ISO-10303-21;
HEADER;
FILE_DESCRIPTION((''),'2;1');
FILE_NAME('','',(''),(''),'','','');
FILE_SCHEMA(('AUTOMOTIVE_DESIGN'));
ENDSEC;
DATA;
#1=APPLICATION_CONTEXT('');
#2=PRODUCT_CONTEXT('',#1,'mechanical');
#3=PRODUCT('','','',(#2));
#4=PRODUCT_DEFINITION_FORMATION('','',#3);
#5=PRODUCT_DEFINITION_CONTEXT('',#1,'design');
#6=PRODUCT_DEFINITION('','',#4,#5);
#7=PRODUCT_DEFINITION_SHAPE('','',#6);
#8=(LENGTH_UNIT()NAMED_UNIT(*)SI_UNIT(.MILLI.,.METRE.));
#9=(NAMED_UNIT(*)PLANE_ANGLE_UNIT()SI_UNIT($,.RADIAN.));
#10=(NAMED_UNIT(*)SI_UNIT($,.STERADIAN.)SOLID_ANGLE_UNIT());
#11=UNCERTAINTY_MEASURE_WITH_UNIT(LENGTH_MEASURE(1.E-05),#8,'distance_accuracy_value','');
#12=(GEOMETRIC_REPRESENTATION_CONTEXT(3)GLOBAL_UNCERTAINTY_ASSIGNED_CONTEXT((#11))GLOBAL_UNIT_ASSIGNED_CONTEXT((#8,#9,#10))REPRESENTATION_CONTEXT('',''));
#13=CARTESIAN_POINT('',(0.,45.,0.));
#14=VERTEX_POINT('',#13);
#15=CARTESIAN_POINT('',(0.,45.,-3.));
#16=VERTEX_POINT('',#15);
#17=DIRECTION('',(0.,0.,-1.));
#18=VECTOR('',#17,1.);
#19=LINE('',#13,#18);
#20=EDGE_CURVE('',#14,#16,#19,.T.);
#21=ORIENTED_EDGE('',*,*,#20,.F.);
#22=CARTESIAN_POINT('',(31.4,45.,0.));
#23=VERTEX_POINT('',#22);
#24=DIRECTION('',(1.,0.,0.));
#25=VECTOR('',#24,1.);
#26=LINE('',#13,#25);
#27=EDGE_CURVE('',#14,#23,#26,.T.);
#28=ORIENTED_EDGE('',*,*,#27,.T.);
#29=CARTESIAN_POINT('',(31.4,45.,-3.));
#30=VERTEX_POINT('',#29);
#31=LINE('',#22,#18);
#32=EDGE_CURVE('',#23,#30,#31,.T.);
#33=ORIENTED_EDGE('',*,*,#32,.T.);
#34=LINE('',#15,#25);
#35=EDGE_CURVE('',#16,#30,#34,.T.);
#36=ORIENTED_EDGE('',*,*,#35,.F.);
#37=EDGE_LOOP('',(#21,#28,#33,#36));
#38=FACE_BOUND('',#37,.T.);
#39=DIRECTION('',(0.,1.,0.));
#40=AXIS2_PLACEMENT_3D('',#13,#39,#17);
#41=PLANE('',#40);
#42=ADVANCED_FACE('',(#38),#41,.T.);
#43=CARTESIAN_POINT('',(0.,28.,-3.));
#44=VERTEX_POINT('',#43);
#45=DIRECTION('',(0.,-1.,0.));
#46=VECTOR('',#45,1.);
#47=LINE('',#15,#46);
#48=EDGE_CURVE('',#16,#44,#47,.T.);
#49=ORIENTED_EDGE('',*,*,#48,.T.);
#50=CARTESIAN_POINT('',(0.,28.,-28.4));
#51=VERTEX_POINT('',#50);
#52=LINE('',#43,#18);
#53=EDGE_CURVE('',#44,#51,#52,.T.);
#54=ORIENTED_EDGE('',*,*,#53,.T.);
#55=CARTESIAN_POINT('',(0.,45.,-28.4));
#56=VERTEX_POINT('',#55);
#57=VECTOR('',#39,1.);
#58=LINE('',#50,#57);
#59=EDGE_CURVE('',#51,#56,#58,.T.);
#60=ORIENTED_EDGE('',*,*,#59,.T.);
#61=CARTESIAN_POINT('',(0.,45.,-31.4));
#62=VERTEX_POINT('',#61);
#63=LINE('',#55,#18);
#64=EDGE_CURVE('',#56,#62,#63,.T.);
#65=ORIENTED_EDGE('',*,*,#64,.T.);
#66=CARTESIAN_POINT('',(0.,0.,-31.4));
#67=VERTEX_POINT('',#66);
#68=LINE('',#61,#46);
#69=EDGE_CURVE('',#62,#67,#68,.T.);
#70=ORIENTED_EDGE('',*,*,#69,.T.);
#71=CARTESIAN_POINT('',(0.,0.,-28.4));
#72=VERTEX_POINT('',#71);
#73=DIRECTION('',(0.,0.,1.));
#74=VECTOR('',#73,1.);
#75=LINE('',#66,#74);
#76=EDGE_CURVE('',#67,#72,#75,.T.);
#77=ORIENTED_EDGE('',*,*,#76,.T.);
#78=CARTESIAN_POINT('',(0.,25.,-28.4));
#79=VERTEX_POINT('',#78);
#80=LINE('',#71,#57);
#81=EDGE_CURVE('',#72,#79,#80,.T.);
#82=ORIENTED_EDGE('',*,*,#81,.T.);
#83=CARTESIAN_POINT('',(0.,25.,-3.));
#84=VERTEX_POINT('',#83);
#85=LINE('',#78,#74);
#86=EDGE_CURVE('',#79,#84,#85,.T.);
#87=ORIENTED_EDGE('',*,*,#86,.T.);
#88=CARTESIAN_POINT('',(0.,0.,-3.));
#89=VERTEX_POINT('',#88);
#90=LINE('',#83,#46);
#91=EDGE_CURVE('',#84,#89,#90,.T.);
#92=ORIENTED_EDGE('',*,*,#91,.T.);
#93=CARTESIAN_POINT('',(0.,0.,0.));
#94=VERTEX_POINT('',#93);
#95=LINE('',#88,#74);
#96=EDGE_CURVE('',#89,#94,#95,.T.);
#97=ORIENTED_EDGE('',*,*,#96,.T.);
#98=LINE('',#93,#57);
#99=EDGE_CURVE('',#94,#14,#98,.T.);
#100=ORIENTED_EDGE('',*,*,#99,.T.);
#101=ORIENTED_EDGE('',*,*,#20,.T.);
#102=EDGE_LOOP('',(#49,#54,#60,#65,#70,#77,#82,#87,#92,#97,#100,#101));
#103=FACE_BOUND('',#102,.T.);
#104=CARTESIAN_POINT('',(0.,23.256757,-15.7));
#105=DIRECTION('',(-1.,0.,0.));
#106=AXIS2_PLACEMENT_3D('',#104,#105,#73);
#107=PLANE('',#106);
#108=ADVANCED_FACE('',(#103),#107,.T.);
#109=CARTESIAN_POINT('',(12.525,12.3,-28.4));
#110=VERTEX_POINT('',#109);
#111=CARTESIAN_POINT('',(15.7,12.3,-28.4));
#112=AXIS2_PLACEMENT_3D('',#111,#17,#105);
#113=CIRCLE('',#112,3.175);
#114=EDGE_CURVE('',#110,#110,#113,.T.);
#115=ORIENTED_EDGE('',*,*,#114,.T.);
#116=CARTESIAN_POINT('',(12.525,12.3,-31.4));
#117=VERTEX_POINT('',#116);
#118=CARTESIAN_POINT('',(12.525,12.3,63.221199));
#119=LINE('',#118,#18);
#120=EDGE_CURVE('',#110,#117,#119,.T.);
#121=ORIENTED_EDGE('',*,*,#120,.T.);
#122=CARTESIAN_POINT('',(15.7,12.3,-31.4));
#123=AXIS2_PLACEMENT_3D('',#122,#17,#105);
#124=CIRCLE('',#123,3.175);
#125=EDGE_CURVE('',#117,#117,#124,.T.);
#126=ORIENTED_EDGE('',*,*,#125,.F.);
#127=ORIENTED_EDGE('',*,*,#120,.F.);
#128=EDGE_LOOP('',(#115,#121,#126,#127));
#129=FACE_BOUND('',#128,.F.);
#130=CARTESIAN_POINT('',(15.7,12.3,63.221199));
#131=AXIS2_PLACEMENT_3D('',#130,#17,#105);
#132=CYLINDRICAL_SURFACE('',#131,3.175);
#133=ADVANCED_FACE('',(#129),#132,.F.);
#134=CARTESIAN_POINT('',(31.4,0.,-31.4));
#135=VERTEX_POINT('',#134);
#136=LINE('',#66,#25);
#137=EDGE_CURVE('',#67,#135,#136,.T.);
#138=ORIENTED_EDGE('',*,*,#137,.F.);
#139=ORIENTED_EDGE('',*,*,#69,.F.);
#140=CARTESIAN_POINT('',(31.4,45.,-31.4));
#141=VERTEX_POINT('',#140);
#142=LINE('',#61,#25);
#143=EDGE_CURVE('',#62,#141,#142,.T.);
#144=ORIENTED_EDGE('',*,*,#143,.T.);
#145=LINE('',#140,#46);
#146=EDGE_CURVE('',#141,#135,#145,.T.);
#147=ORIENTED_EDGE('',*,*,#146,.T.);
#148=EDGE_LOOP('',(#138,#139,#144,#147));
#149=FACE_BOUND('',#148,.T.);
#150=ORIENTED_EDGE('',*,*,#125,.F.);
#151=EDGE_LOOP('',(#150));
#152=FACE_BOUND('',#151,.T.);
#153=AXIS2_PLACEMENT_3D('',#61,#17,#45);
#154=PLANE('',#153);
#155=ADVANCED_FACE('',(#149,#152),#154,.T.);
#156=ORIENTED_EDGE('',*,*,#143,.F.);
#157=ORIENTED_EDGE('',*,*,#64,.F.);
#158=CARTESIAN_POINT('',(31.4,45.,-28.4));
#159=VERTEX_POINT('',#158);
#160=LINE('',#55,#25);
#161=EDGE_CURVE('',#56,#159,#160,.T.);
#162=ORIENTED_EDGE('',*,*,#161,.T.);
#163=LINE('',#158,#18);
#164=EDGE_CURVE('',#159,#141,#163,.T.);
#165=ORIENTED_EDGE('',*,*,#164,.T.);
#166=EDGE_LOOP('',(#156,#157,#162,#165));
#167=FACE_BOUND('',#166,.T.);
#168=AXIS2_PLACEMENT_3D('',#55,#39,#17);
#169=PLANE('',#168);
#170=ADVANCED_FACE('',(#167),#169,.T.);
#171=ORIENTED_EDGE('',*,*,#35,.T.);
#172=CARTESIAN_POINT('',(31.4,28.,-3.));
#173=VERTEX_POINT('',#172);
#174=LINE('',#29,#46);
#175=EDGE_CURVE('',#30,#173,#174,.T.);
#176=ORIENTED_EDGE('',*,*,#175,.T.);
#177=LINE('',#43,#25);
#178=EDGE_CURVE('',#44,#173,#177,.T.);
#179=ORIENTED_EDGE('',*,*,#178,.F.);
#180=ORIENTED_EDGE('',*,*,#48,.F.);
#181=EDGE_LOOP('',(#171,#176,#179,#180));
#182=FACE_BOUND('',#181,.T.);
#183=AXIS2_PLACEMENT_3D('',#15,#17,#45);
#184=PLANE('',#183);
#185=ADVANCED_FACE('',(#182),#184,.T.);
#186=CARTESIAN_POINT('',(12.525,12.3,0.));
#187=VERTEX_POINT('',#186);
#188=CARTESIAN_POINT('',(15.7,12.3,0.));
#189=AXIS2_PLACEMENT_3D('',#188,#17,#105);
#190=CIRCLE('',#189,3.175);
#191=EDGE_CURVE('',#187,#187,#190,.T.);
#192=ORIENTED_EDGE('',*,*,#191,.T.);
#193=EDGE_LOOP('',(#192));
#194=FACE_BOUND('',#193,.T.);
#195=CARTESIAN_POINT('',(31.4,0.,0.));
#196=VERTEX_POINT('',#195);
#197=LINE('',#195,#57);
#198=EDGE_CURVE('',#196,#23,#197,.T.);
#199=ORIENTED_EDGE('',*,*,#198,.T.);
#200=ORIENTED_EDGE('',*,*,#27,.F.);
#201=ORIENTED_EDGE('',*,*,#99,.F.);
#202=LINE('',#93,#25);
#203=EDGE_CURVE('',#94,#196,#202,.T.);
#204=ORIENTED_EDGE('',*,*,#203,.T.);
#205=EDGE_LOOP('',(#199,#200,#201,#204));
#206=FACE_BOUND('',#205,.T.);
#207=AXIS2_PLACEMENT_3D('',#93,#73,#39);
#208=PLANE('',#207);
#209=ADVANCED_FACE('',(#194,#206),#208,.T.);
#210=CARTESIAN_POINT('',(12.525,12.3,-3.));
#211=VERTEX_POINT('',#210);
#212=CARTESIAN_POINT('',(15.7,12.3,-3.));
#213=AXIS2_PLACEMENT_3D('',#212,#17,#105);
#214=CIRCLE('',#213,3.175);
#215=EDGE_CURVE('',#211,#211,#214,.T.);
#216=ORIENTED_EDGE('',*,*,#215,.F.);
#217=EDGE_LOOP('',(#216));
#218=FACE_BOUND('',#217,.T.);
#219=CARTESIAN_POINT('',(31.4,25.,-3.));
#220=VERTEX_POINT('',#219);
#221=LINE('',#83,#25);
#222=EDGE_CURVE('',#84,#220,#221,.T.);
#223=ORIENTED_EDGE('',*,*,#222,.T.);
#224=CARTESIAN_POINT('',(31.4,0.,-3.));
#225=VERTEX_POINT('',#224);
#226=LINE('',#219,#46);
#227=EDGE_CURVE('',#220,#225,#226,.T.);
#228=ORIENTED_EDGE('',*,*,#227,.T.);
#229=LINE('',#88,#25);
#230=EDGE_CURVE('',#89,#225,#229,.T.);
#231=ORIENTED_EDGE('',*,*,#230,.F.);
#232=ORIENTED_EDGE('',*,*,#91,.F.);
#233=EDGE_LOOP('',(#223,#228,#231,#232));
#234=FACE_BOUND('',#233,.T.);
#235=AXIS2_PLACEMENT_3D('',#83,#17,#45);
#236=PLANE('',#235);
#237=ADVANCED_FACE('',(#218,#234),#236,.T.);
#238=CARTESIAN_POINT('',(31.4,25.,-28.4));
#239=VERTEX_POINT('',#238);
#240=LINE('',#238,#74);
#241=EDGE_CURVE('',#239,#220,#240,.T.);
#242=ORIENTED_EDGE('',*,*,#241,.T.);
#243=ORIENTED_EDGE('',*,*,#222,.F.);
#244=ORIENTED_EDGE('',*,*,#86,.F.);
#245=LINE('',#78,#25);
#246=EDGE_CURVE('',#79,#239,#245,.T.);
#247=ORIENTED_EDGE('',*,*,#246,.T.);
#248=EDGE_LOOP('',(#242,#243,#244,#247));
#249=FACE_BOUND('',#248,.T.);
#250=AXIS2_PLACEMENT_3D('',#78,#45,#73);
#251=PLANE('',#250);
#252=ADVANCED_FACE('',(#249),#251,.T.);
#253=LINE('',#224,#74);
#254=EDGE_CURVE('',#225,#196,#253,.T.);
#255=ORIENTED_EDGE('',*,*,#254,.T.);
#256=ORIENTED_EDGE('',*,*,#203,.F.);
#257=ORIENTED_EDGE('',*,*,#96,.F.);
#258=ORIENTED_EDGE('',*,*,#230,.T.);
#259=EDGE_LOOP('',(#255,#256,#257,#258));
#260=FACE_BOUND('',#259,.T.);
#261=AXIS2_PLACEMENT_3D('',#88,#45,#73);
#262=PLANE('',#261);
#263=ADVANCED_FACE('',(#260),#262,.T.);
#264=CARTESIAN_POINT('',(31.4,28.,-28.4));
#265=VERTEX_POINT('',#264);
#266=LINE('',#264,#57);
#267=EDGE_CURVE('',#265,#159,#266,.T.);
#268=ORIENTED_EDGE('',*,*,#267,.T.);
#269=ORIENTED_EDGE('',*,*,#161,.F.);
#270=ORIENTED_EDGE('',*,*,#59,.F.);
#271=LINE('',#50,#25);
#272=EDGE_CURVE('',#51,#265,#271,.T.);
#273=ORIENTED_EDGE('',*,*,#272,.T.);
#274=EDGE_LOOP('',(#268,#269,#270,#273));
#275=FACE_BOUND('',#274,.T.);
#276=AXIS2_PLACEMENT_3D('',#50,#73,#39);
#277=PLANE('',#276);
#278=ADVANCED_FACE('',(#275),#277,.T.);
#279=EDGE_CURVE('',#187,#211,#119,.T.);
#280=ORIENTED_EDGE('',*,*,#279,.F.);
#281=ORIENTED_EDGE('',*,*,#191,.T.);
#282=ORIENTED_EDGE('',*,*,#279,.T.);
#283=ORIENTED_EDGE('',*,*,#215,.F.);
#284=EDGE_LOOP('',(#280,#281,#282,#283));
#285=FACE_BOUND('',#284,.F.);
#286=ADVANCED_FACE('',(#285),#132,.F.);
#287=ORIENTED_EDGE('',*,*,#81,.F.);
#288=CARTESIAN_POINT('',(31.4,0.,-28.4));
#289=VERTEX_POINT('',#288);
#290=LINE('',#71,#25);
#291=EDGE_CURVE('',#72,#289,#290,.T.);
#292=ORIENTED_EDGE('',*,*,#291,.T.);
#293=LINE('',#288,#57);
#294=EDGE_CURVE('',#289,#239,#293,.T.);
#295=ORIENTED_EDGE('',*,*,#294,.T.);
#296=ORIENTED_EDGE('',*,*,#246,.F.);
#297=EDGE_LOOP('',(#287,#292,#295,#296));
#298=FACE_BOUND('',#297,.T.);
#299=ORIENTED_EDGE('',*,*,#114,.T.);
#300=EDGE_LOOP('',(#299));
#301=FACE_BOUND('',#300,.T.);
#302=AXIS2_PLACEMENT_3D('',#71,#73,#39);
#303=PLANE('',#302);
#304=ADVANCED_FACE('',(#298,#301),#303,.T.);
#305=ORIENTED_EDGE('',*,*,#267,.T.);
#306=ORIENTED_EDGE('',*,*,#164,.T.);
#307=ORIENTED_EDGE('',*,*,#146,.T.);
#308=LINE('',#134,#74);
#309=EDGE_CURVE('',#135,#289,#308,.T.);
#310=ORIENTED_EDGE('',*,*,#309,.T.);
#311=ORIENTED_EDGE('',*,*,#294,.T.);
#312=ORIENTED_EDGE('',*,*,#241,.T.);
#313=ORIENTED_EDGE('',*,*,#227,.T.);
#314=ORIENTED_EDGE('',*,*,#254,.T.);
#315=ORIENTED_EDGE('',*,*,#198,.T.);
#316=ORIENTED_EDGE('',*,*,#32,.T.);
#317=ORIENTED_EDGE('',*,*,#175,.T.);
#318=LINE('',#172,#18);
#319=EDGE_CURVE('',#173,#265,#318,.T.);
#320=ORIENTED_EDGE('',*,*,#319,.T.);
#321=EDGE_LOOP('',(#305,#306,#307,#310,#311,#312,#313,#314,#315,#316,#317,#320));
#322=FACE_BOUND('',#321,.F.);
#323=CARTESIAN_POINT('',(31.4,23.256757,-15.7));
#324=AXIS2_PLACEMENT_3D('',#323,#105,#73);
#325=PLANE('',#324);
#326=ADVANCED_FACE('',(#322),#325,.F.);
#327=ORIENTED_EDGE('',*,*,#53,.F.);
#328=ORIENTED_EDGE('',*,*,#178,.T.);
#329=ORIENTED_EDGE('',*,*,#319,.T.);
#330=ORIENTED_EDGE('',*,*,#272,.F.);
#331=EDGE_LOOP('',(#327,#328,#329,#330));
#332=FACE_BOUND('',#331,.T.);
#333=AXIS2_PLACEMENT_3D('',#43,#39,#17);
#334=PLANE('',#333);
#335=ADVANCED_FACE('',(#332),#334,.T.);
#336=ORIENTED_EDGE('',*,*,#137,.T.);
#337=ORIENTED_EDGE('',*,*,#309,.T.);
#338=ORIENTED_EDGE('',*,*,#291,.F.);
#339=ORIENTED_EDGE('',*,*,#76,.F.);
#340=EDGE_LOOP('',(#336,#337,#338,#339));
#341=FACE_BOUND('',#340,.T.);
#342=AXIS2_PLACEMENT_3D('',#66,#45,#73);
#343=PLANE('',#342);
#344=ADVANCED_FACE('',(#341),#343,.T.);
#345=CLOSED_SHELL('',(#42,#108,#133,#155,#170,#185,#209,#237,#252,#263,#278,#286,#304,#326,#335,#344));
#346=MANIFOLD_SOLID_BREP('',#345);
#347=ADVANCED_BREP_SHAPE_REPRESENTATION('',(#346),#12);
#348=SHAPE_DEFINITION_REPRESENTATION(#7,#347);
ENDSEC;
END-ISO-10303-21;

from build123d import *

# Parameters (mm, degrees)
BOSS_EXTRUDE1_DEPTH         = 31.4
F_1_4_0_25_DIAMETER_HOLE1_D = 6.35


with BuildPart() as part:
    # Sketch1 → Boss-Extrude1 (new body)
    with BuildSketch(Plane(origin=(0, 0, 0), x_dir=(0, 0, -1), z_dir=(1, 0, 0))):
        Polygon((0, 0), (0, 45), (3, 45), (3, 28), (28.4, 28), (28.4, 45), (31.4, 45), (31.4, 0), (28.4, 0), (28.4, 25), (3, 25), (3, 0), align=None)
    extrude(amount=BOSS_EXTRUDE1_DEPTH)

    # 1/4 (0.25) Diameter Hole1 (through all)
    with Locations(Plane.XY):
        with Locations((15.7, 12.3)):
            Hole(F_1_4_0_25_DIAMETER_HOLE1_D / 2)


solid = part.part
